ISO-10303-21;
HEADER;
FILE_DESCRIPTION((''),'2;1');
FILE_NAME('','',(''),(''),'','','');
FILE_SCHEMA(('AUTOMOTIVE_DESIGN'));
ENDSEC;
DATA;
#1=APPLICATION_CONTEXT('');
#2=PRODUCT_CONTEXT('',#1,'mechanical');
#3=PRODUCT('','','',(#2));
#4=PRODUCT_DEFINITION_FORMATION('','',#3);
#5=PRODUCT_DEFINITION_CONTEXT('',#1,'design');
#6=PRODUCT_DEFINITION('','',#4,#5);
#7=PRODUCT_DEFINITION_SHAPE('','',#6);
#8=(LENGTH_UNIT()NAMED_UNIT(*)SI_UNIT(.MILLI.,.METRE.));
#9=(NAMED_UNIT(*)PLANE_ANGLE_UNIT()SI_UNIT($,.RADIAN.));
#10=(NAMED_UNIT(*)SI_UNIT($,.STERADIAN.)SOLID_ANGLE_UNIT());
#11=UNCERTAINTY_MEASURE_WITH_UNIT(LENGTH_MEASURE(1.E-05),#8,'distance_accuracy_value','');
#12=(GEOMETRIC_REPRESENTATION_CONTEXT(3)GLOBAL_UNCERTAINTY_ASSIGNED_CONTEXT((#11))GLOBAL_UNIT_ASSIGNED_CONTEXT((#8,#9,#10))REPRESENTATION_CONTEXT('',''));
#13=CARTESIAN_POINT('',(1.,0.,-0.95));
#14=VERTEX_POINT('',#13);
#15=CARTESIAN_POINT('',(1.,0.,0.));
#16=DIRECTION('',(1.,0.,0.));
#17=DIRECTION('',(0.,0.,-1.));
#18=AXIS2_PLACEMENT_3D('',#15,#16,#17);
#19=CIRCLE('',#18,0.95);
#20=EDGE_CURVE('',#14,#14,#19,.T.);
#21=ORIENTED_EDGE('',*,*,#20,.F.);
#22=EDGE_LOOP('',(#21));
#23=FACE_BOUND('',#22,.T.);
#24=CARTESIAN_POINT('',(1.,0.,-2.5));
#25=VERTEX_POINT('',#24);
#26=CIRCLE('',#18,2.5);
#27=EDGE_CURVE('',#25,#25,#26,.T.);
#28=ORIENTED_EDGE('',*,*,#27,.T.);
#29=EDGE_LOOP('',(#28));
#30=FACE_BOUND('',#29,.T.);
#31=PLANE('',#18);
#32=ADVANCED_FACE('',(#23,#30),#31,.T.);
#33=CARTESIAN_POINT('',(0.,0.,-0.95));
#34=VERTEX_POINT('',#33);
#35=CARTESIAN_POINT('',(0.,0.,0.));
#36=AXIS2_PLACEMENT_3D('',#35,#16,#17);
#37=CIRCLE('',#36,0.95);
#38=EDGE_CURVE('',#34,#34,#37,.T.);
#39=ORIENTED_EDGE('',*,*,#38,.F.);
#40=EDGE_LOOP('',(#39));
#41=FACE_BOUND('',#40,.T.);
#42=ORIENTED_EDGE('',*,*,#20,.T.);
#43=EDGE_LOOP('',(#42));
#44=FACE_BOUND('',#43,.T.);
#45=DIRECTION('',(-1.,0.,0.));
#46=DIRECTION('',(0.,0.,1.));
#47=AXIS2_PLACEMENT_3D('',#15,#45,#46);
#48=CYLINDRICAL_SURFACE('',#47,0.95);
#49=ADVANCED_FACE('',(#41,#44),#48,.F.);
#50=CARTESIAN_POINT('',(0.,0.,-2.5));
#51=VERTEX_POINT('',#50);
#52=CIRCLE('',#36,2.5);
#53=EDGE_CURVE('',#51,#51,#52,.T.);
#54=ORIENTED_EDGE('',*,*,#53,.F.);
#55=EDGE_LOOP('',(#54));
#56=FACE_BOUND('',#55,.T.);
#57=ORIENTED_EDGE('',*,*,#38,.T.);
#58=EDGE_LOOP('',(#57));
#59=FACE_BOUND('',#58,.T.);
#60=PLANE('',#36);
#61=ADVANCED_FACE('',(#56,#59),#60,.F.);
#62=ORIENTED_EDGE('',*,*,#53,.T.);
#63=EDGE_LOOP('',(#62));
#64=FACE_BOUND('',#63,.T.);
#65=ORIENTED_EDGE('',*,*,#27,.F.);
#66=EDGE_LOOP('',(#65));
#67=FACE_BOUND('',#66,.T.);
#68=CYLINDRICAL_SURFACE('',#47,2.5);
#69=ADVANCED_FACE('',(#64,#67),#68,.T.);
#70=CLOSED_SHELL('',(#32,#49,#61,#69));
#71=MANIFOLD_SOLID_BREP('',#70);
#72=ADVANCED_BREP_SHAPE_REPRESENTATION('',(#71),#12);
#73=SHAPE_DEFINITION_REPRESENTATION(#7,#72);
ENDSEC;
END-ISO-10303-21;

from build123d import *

# Parameters (mm, degrees)
SKETCH1_R          = 2.5
SKETCH1_R_2        = 0.95
BASE_EXTRUDE_DEPTH = 1


with BuildPart() as part:
    # Sketch1 → Base-Extrude (new body)
    with BuildSketch(Plane(origin=(0, 0, 0), x_dir=(0, 0, -1), z_dir=(1, 0, 0))):
        Circle(SKETCH1_R)
        Circle(SKETCH1_R_2, mode=Mode.SUBTRACT)
    extrude(amount=BASE_EXTRUDE_DEPTH)


solid = part.part
